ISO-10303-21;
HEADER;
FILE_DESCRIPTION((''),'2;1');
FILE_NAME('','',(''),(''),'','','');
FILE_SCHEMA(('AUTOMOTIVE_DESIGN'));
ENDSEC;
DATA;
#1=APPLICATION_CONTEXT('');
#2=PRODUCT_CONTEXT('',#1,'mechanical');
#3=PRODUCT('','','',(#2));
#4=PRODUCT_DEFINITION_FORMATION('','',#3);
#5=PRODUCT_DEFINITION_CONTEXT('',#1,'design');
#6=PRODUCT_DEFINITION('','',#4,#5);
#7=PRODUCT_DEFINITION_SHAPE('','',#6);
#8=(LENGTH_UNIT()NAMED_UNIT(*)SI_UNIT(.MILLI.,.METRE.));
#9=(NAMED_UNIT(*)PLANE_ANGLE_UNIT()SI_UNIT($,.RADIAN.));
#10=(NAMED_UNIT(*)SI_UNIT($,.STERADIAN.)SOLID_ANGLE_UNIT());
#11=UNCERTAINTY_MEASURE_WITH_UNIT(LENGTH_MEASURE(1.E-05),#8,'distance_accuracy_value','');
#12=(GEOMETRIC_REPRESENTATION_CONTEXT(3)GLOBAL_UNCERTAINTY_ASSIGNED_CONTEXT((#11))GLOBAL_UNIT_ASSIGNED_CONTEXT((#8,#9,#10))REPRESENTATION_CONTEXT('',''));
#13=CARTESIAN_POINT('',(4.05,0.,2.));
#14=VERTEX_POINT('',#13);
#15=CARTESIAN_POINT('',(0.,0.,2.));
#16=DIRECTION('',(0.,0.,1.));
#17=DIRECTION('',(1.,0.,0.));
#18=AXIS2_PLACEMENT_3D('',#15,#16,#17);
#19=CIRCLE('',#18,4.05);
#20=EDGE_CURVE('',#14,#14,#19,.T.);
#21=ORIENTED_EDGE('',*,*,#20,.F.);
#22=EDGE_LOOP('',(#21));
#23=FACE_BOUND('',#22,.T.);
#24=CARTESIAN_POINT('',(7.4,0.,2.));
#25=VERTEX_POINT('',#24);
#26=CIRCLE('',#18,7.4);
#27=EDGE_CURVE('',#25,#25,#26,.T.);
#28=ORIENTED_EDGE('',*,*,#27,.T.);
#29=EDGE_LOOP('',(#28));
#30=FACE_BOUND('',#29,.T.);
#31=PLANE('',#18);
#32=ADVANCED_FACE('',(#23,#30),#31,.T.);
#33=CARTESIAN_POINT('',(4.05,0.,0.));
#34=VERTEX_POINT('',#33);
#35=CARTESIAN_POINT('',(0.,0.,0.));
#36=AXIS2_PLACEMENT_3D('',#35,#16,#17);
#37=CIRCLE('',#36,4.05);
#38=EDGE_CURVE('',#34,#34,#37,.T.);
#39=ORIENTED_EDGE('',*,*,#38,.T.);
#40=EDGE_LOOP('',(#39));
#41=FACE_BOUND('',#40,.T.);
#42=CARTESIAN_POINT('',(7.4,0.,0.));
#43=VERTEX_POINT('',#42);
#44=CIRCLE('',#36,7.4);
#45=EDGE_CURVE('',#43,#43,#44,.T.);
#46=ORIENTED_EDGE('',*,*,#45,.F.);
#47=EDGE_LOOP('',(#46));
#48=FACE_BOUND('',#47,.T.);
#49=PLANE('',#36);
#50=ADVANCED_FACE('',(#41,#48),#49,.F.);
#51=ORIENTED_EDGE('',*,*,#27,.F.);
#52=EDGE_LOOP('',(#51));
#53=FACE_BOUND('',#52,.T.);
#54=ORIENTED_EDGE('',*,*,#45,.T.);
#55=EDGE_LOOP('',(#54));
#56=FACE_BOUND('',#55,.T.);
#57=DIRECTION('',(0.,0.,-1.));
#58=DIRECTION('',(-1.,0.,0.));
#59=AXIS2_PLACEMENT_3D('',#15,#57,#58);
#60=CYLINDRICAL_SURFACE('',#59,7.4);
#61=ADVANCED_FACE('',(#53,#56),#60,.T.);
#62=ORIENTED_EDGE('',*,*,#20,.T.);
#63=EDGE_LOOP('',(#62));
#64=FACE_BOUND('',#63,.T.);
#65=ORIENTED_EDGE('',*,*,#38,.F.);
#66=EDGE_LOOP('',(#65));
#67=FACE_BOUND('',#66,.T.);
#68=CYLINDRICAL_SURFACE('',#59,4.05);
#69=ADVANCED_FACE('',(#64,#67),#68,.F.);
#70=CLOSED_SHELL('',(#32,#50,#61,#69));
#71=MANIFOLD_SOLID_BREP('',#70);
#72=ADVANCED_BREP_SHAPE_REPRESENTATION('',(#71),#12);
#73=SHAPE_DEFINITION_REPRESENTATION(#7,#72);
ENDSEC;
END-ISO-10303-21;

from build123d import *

# Parameters (mm, degrees)
SKETCH_1_R      = 7.4
SKETCH_1_R_2    = 4.05
EXTRUDE_1_DEPTH = 2


with BuildPart() as part:
    # Эскиз1 → Бобышка-Вытянуть1 (new body)
    with BuildSketch(Plane.XY):
        Circle(SKETCH_1_R)
        Circle(SKETCH_1_R_2, mode=Mode.SUBTRACT)
    extrude(amount=EXTRUDE_1_DEPTH)


solid = part.part
